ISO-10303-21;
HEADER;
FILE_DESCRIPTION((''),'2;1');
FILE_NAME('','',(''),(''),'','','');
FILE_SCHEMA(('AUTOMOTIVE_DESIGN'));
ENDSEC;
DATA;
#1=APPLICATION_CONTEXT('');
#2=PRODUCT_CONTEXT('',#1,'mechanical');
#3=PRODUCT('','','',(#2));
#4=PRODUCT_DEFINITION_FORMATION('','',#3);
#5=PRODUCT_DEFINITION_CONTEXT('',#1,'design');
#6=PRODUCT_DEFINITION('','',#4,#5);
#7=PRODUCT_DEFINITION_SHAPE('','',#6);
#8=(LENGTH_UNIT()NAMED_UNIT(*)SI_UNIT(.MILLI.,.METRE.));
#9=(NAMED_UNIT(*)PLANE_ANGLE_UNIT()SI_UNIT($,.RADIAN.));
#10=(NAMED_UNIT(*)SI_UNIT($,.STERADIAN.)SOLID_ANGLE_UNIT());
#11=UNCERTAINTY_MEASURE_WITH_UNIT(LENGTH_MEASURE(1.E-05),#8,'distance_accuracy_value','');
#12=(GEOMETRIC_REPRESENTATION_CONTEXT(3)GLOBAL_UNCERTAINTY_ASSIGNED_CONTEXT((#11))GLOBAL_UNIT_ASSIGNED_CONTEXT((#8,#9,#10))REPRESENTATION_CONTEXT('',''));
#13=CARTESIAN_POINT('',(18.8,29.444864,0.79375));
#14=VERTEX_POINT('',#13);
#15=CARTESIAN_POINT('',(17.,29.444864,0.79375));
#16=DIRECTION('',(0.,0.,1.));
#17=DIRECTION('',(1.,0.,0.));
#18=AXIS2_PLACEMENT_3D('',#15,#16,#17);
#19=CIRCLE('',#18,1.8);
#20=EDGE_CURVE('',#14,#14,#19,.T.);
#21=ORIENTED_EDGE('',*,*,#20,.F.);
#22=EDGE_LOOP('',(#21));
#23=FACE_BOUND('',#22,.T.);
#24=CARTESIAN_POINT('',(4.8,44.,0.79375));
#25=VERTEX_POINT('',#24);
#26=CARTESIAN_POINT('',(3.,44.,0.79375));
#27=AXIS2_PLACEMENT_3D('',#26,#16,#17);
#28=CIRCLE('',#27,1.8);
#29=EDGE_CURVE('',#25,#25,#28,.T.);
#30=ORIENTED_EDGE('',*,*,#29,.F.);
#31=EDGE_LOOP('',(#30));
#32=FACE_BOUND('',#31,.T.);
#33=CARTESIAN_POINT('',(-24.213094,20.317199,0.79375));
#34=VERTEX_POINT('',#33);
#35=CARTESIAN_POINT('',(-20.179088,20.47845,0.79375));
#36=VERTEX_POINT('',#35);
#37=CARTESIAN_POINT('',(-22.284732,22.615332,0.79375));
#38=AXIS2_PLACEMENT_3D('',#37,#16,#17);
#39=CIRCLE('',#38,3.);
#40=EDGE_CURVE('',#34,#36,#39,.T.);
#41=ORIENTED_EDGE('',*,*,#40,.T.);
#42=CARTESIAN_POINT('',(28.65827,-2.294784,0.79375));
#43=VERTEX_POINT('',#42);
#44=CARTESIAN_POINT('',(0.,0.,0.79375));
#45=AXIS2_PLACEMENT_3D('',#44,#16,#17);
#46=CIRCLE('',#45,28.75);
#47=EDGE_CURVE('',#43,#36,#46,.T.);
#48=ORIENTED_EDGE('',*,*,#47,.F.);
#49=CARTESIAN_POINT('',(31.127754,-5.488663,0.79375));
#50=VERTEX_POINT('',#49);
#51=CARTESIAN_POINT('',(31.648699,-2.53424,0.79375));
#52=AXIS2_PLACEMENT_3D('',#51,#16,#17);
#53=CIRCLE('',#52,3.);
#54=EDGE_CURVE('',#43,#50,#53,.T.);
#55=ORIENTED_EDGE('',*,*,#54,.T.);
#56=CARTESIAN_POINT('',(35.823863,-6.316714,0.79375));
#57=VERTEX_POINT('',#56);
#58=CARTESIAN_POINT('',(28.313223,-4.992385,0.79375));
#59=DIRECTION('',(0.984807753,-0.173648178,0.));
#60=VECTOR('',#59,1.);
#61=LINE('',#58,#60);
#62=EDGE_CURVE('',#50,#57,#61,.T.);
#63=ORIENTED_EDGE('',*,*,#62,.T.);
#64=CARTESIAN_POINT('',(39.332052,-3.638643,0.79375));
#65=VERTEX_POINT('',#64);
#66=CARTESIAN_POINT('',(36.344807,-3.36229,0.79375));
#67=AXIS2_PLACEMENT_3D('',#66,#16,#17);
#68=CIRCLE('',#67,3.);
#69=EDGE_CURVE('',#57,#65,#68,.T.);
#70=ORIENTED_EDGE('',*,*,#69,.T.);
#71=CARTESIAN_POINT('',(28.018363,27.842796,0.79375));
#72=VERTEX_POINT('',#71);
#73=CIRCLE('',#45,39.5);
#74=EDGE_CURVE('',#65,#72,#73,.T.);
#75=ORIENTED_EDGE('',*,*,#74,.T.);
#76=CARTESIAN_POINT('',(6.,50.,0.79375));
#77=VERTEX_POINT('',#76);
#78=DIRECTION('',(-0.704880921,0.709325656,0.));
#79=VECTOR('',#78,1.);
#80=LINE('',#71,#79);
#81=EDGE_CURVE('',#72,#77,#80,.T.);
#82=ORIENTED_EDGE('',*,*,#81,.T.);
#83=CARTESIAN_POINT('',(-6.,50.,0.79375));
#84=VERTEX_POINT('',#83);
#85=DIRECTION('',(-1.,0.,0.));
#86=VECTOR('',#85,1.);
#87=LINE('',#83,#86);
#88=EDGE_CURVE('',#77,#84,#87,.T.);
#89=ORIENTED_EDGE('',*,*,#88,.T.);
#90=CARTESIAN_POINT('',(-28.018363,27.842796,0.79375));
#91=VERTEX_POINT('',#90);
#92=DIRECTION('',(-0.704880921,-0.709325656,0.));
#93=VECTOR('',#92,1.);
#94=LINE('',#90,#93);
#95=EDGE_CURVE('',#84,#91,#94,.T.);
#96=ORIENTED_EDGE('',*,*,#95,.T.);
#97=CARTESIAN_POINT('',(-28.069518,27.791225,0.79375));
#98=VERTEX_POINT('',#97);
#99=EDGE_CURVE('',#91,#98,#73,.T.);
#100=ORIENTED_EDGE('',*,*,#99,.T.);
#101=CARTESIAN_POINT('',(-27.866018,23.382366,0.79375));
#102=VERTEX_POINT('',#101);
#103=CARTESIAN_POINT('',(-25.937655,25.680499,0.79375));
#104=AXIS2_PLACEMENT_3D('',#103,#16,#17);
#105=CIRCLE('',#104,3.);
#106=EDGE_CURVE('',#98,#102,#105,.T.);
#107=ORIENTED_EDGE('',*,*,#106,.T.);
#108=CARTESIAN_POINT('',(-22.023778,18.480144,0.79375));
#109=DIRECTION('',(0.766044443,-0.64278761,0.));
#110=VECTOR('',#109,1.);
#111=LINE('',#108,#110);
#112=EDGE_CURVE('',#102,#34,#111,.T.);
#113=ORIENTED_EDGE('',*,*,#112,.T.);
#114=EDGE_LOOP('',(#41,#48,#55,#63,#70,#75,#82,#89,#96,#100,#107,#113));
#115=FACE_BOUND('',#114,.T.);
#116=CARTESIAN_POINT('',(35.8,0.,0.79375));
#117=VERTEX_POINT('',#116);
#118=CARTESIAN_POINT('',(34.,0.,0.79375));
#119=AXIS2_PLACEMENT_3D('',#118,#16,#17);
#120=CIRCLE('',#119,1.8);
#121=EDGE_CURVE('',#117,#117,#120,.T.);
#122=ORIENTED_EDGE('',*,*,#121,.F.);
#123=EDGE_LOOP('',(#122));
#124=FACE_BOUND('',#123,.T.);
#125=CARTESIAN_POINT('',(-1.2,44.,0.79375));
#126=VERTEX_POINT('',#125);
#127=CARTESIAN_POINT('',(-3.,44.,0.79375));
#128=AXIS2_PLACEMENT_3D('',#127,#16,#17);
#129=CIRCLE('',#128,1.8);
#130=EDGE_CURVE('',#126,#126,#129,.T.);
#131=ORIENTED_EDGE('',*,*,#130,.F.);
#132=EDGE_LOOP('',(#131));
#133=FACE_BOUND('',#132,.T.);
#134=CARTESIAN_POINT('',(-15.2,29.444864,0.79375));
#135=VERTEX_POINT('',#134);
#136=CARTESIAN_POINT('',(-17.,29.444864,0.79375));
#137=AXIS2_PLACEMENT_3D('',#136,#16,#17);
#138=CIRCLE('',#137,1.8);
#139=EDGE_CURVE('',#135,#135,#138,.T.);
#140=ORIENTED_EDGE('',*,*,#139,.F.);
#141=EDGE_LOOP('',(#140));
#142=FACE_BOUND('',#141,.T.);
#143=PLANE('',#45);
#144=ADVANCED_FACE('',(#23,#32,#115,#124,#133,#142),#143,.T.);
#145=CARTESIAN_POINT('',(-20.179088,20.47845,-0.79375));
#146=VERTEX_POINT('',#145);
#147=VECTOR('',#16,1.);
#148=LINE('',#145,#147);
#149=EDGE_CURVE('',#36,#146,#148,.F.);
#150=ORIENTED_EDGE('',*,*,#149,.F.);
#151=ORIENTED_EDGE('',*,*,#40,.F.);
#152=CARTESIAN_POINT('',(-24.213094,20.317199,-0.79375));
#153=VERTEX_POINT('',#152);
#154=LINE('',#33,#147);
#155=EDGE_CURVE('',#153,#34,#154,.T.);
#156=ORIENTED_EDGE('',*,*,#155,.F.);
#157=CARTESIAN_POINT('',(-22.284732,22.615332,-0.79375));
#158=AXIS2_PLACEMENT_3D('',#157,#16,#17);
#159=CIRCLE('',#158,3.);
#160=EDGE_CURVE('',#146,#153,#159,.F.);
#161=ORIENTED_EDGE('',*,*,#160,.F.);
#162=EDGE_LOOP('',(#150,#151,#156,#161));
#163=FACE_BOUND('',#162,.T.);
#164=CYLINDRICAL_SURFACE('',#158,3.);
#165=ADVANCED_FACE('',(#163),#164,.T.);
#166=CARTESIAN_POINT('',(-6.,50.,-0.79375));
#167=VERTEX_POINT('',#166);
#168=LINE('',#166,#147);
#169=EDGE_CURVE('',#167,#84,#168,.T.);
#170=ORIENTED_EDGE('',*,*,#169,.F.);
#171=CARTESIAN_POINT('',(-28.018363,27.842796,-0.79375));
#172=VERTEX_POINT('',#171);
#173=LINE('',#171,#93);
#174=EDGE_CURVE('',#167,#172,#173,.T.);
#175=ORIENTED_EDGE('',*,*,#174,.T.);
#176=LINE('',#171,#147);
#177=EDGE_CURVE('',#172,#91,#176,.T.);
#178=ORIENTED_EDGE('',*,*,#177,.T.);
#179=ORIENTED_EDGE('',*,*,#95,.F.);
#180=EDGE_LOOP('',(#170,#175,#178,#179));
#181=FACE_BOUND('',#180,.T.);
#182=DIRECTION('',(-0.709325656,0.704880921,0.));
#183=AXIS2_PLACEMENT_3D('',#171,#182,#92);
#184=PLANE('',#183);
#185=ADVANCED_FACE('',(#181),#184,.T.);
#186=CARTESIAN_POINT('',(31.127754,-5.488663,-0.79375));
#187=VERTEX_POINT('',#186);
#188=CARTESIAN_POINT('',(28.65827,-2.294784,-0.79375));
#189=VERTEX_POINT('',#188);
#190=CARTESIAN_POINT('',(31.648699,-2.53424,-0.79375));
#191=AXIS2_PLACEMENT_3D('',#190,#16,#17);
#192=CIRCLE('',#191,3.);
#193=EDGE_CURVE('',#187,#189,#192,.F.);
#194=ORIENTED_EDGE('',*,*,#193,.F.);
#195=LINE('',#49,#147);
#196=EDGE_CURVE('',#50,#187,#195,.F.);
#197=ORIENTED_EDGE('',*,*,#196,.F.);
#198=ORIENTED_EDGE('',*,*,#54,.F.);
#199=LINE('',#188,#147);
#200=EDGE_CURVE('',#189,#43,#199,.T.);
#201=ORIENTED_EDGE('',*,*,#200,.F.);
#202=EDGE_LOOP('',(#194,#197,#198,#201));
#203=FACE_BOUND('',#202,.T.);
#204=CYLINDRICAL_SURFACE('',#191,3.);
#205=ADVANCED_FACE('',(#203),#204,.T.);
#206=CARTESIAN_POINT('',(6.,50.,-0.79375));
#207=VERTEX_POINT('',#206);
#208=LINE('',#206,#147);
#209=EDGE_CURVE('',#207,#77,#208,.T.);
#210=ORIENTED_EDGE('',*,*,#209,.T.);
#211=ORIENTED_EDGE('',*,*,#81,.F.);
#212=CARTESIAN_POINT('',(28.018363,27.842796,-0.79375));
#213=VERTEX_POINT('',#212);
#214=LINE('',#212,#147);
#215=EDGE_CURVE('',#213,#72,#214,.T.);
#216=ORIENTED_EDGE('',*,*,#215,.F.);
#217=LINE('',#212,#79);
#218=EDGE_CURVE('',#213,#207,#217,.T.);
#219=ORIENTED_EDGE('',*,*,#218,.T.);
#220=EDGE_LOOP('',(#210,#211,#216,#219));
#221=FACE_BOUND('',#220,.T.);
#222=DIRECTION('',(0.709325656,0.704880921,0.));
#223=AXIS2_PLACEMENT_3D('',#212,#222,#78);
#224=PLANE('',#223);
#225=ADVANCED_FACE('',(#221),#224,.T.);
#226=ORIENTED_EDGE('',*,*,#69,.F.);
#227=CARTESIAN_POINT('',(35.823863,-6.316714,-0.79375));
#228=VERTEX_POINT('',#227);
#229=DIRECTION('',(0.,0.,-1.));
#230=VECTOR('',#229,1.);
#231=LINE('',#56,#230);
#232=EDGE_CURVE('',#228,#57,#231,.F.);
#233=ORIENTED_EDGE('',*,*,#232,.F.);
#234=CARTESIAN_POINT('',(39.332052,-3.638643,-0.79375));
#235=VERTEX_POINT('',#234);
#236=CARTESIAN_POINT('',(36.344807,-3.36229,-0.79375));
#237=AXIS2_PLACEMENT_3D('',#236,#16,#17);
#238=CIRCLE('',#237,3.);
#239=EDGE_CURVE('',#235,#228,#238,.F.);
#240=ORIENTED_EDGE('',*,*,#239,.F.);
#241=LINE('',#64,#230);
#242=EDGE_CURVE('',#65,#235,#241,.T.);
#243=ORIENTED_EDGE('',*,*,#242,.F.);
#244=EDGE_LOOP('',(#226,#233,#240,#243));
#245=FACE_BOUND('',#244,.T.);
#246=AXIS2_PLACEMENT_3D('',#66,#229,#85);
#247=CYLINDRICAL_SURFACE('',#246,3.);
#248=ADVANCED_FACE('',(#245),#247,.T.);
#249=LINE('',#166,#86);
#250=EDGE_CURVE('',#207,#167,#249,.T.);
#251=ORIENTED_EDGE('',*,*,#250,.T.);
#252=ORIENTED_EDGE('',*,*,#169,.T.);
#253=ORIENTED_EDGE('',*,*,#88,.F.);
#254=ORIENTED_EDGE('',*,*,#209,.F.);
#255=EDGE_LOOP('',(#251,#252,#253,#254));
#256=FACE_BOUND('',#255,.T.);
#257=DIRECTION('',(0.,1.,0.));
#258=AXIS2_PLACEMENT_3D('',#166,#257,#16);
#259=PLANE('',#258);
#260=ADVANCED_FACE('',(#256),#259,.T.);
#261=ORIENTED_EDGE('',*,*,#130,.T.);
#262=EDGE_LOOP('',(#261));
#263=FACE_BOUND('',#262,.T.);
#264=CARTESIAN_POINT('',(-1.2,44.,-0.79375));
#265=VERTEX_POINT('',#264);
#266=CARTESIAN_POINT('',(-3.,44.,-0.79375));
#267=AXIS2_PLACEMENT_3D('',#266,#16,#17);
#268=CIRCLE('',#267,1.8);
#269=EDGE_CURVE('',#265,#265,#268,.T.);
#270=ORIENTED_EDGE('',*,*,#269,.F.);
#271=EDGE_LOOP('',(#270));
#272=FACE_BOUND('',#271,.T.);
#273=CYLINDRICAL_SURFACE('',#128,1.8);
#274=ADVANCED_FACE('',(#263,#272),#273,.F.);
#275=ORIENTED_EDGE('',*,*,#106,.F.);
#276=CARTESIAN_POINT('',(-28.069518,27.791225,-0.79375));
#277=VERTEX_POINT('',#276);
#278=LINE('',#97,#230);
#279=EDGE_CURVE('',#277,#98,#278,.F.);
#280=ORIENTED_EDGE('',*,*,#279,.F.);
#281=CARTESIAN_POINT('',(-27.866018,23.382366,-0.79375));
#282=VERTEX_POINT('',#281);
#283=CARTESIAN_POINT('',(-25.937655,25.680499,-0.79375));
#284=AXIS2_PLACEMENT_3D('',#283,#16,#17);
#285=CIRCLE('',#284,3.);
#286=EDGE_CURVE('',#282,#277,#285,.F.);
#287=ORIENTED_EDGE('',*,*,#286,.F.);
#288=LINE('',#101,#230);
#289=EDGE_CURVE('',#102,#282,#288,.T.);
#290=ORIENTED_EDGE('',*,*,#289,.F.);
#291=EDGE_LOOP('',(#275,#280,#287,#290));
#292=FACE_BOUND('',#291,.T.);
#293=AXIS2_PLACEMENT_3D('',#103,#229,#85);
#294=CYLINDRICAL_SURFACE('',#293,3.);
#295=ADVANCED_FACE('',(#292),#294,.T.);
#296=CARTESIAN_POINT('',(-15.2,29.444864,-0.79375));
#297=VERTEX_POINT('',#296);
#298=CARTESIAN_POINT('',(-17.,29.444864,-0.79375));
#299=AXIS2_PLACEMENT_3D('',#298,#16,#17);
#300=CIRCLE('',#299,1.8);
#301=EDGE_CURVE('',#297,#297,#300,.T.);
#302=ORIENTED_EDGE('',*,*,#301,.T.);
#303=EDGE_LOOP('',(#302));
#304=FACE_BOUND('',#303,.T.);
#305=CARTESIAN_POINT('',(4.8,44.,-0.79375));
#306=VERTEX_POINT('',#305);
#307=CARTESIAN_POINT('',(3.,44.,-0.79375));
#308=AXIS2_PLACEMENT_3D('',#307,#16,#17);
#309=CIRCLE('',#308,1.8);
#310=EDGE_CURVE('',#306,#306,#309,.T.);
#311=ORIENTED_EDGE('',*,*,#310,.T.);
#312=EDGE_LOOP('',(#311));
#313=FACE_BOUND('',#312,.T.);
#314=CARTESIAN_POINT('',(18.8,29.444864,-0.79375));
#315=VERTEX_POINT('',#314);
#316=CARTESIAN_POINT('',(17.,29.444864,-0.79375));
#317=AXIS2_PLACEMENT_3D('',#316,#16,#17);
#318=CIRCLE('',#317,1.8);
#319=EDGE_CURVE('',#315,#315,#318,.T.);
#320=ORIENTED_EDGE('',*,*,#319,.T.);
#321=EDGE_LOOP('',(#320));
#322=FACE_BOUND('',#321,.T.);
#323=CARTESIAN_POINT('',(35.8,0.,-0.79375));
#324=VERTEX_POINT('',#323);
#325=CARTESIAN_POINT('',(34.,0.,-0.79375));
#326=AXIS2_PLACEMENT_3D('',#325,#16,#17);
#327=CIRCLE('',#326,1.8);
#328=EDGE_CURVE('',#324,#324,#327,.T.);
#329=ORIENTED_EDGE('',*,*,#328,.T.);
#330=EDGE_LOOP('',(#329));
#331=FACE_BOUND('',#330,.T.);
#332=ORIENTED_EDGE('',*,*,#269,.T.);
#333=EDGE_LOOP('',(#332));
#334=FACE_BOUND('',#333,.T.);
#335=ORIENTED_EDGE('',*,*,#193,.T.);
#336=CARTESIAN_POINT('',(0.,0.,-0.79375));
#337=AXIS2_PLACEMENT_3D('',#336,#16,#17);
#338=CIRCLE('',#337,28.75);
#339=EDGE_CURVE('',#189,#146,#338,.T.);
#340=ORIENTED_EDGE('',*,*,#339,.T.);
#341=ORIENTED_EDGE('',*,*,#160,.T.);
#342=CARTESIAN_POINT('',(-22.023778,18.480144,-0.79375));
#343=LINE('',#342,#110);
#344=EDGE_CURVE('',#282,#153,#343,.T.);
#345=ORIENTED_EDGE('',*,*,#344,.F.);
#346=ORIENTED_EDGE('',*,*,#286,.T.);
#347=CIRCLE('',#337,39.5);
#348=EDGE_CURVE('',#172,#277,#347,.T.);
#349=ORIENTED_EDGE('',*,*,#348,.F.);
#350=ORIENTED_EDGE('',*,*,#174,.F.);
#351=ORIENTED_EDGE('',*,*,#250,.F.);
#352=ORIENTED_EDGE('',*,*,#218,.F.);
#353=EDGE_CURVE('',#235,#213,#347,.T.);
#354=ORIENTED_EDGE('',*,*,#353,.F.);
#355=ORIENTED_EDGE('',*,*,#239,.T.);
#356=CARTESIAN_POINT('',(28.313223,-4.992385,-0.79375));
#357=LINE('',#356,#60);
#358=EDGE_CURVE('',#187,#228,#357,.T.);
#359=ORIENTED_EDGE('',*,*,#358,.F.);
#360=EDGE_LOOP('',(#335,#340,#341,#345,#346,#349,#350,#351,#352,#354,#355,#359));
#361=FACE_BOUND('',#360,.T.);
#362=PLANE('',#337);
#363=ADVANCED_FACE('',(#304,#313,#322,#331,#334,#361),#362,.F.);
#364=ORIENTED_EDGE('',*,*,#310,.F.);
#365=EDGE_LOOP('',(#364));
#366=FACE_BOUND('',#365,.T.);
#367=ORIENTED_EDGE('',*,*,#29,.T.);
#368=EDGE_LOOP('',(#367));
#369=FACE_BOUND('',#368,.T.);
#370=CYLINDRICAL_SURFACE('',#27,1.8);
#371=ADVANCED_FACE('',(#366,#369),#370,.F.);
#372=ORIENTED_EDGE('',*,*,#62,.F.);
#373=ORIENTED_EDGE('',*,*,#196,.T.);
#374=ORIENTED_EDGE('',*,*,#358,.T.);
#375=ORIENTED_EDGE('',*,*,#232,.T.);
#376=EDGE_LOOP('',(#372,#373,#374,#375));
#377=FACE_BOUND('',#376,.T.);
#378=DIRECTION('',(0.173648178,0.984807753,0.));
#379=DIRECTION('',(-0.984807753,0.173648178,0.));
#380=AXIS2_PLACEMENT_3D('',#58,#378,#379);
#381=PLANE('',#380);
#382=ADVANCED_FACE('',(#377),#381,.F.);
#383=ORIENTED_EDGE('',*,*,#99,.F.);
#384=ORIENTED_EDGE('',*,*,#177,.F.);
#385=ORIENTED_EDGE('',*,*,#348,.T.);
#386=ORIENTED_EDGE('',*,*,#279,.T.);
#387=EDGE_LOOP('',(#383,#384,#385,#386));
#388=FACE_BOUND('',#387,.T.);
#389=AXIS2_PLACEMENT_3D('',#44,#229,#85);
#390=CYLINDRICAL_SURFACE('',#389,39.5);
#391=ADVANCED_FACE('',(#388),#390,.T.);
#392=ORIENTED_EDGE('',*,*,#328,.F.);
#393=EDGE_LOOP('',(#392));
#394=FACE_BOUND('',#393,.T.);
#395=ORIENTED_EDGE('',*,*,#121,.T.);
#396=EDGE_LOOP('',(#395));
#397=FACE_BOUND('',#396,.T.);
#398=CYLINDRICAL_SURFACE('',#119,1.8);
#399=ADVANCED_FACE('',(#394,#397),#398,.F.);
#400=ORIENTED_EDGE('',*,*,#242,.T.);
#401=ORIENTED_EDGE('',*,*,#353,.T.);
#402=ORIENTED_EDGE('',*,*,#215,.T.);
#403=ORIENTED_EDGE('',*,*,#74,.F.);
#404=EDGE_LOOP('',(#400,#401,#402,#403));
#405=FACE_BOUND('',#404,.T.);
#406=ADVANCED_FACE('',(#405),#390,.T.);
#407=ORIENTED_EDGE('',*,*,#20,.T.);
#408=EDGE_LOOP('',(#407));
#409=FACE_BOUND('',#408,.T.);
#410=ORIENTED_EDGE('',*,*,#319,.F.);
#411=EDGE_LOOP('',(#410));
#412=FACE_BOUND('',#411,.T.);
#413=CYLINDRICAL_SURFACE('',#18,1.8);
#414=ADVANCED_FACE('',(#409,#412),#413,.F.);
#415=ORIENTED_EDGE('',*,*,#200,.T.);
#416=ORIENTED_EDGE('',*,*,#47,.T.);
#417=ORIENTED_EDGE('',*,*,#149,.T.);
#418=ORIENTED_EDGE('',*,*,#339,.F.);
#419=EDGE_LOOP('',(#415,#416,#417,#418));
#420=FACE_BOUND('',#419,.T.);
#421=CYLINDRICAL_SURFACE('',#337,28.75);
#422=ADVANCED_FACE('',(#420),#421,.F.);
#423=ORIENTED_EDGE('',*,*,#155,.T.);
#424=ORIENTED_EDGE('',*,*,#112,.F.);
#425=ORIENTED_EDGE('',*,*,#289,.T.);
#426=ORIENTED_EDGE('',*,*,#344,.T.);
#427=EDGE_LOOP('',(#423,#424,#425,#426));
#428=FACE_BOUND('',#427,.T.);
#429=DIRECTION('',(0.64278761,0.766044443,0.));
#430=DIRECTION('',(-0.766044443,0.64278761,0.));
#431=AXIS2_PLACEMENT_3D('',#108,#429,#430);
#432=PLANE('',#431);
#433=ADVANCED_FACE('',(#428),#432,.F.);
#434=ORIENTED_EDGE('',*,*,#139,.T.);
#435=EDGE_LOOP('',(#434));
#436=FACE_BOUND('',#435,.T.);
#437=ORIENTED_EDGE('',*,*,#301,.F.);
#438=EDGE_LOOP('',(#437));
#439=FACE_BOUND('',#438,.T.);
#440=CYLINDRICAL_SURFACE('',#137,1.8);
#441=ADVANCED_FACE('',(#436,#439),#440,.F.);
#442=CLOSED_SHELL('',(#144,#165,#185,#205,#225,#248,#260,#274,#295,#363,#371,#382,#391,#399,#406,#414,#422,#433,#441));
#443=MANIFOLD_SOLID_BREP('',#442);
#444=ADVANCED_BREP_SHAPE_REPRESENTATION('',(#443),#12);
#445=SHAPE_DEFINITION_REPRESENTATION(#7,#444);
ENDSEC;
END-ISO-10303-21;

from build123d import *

# Parameters (mm, degrees)
SKETCH1_R                = 39.5
BOSS_EXTRUDE1_DEPTH      = 0.79375
BOSS_EXTRUDE2_DEPTH      = 1.5875
SKETCH2_R                = 28.75
CUT_EXTRUDE1_DEPTH       = 64.739863165
M3_CLEARANCE_HOLE1_D     = 3.6
CIRPATTERN1_COUNT        = 6
M3_CLEARANCE_HOLE2_D     = 3.6
M3_CLEARANCE_HOLE2_DEPTH = 10
M3_CLEARANCE_HOLE2_TIP   = 1.081549114
CUT_EXTRUDE3_DEPTH       = 64.739863165
FILLET1_R                = 3


with BuildPart() as part:
    # Sketch1 → Boss-Extrude1 (new, symmetric)
    with BuildSketch(Plane.XY):
        Circle(SKETCH1_R)
    extrude(amount=BOSS_EXTRUDE1_DEPTH, both=True)

    # Sketch3 → Boss-Extrude2 (add, through all)
    with BuildSketch(Plane.XY.offset(0.79375)):
        Polygon((-28.01836343, 27.842796388), (-6, 50), (6, 50), (28.01836343, 27.842796388), align=None)
    extrude(amount=-BOSS_EXTRUDE2_DEPTH)

    # Sketch2 → Cut-Extrude1 (cut, through all)
    with BuildSketch(Plane.XY.offset(0.79375)):
        Circle(SKETCH2_R)
    extrude(amount=-CUT_EXTRUDE1_DEPTH, mode=Mode.SUBTRACT)

    # M3 Clearance Hole1 (through all)
    with Locations(Plane.XY.offset(0.79375)):
        with Locations((17, -29.444863729)):
            m3_clearance_hole1 = Hole(M3_CLEARANCE_HOLE1_D / 2)

    # CirPattern1: M3 Clearance Hole1 ×6 about axis
    cirpattern1_axis = Axis((0, 0, 0), (0, 0, 1))
    for i in range(1, CIRPATTERN1_COUNT):
        add(m3_clearance_hole1.rotate(cirpattern1_axis, i * 360 / CIRPATTERN1_COUNT), mode=Mode.SUBTRACT)

    # M3 Clearance Hole2
    with Locations(Plane.XY.offset(0.79375)):
        with Locations((3, 44), (-3, 44)):
            Hole(M3_CLEARANCE_HOLE2_D / 2, depth=M3_CLEARANCE_HOLE2_DEPTH)
            with Locations((0, 0, -(M3_CLEARANCE_HOLE2_DEPTH + M3_CLEARANCE_HOLE2_TIP / 2))):  # 118° drill point
                Cone(0, M3_CLEARANCE_HOLE2_D / 2, M3_CLEARANCE_HOLE2_TIP, mode=Mode.SUBTRACT)

    # OpenEdge → Cut-Extrude3 (cut, through all)
    with BuildSketch(Plane(origin=(0, 0, -0.79375), x_dir=(-1, 0, 0), z_dir=(0, 0, -1))):
        with BuildLine():
            Line((22.02377774, 18.480143778), (30.258755503, 25.390110583))
            ThreePointArc((30.258755503, 25.390110583), (16.693421339, -35.799157588), (-38.899906244, -6.859103018))
            Line((-38.899906244, -6.859103018), (-28.313222899, -4.992385108))
            ThreePointArc((-28.313222899, -4.992385108), (12.150275025, -26.056348877), (22.02377774, 18.480143778))
        make_face()
    extrude(amount=-CUT_EXTRUDE3_DEPTH, mode=Mode.SUBTRACT)

    # Fillet1
    fillet1_edges = [part.edges().sort_by_distance(p)[0] for p in [
        (28.313222899, -4.992385108, 0),
        (-22.02377774, 18.480143778, 0),
        (-30.258755503, 25.390110583, 0),
        (38.899906244, -6.859103018, 0),
    ]]
    fillet(fillet1_edges, radius=FILLET1_R)


solid = part.part
